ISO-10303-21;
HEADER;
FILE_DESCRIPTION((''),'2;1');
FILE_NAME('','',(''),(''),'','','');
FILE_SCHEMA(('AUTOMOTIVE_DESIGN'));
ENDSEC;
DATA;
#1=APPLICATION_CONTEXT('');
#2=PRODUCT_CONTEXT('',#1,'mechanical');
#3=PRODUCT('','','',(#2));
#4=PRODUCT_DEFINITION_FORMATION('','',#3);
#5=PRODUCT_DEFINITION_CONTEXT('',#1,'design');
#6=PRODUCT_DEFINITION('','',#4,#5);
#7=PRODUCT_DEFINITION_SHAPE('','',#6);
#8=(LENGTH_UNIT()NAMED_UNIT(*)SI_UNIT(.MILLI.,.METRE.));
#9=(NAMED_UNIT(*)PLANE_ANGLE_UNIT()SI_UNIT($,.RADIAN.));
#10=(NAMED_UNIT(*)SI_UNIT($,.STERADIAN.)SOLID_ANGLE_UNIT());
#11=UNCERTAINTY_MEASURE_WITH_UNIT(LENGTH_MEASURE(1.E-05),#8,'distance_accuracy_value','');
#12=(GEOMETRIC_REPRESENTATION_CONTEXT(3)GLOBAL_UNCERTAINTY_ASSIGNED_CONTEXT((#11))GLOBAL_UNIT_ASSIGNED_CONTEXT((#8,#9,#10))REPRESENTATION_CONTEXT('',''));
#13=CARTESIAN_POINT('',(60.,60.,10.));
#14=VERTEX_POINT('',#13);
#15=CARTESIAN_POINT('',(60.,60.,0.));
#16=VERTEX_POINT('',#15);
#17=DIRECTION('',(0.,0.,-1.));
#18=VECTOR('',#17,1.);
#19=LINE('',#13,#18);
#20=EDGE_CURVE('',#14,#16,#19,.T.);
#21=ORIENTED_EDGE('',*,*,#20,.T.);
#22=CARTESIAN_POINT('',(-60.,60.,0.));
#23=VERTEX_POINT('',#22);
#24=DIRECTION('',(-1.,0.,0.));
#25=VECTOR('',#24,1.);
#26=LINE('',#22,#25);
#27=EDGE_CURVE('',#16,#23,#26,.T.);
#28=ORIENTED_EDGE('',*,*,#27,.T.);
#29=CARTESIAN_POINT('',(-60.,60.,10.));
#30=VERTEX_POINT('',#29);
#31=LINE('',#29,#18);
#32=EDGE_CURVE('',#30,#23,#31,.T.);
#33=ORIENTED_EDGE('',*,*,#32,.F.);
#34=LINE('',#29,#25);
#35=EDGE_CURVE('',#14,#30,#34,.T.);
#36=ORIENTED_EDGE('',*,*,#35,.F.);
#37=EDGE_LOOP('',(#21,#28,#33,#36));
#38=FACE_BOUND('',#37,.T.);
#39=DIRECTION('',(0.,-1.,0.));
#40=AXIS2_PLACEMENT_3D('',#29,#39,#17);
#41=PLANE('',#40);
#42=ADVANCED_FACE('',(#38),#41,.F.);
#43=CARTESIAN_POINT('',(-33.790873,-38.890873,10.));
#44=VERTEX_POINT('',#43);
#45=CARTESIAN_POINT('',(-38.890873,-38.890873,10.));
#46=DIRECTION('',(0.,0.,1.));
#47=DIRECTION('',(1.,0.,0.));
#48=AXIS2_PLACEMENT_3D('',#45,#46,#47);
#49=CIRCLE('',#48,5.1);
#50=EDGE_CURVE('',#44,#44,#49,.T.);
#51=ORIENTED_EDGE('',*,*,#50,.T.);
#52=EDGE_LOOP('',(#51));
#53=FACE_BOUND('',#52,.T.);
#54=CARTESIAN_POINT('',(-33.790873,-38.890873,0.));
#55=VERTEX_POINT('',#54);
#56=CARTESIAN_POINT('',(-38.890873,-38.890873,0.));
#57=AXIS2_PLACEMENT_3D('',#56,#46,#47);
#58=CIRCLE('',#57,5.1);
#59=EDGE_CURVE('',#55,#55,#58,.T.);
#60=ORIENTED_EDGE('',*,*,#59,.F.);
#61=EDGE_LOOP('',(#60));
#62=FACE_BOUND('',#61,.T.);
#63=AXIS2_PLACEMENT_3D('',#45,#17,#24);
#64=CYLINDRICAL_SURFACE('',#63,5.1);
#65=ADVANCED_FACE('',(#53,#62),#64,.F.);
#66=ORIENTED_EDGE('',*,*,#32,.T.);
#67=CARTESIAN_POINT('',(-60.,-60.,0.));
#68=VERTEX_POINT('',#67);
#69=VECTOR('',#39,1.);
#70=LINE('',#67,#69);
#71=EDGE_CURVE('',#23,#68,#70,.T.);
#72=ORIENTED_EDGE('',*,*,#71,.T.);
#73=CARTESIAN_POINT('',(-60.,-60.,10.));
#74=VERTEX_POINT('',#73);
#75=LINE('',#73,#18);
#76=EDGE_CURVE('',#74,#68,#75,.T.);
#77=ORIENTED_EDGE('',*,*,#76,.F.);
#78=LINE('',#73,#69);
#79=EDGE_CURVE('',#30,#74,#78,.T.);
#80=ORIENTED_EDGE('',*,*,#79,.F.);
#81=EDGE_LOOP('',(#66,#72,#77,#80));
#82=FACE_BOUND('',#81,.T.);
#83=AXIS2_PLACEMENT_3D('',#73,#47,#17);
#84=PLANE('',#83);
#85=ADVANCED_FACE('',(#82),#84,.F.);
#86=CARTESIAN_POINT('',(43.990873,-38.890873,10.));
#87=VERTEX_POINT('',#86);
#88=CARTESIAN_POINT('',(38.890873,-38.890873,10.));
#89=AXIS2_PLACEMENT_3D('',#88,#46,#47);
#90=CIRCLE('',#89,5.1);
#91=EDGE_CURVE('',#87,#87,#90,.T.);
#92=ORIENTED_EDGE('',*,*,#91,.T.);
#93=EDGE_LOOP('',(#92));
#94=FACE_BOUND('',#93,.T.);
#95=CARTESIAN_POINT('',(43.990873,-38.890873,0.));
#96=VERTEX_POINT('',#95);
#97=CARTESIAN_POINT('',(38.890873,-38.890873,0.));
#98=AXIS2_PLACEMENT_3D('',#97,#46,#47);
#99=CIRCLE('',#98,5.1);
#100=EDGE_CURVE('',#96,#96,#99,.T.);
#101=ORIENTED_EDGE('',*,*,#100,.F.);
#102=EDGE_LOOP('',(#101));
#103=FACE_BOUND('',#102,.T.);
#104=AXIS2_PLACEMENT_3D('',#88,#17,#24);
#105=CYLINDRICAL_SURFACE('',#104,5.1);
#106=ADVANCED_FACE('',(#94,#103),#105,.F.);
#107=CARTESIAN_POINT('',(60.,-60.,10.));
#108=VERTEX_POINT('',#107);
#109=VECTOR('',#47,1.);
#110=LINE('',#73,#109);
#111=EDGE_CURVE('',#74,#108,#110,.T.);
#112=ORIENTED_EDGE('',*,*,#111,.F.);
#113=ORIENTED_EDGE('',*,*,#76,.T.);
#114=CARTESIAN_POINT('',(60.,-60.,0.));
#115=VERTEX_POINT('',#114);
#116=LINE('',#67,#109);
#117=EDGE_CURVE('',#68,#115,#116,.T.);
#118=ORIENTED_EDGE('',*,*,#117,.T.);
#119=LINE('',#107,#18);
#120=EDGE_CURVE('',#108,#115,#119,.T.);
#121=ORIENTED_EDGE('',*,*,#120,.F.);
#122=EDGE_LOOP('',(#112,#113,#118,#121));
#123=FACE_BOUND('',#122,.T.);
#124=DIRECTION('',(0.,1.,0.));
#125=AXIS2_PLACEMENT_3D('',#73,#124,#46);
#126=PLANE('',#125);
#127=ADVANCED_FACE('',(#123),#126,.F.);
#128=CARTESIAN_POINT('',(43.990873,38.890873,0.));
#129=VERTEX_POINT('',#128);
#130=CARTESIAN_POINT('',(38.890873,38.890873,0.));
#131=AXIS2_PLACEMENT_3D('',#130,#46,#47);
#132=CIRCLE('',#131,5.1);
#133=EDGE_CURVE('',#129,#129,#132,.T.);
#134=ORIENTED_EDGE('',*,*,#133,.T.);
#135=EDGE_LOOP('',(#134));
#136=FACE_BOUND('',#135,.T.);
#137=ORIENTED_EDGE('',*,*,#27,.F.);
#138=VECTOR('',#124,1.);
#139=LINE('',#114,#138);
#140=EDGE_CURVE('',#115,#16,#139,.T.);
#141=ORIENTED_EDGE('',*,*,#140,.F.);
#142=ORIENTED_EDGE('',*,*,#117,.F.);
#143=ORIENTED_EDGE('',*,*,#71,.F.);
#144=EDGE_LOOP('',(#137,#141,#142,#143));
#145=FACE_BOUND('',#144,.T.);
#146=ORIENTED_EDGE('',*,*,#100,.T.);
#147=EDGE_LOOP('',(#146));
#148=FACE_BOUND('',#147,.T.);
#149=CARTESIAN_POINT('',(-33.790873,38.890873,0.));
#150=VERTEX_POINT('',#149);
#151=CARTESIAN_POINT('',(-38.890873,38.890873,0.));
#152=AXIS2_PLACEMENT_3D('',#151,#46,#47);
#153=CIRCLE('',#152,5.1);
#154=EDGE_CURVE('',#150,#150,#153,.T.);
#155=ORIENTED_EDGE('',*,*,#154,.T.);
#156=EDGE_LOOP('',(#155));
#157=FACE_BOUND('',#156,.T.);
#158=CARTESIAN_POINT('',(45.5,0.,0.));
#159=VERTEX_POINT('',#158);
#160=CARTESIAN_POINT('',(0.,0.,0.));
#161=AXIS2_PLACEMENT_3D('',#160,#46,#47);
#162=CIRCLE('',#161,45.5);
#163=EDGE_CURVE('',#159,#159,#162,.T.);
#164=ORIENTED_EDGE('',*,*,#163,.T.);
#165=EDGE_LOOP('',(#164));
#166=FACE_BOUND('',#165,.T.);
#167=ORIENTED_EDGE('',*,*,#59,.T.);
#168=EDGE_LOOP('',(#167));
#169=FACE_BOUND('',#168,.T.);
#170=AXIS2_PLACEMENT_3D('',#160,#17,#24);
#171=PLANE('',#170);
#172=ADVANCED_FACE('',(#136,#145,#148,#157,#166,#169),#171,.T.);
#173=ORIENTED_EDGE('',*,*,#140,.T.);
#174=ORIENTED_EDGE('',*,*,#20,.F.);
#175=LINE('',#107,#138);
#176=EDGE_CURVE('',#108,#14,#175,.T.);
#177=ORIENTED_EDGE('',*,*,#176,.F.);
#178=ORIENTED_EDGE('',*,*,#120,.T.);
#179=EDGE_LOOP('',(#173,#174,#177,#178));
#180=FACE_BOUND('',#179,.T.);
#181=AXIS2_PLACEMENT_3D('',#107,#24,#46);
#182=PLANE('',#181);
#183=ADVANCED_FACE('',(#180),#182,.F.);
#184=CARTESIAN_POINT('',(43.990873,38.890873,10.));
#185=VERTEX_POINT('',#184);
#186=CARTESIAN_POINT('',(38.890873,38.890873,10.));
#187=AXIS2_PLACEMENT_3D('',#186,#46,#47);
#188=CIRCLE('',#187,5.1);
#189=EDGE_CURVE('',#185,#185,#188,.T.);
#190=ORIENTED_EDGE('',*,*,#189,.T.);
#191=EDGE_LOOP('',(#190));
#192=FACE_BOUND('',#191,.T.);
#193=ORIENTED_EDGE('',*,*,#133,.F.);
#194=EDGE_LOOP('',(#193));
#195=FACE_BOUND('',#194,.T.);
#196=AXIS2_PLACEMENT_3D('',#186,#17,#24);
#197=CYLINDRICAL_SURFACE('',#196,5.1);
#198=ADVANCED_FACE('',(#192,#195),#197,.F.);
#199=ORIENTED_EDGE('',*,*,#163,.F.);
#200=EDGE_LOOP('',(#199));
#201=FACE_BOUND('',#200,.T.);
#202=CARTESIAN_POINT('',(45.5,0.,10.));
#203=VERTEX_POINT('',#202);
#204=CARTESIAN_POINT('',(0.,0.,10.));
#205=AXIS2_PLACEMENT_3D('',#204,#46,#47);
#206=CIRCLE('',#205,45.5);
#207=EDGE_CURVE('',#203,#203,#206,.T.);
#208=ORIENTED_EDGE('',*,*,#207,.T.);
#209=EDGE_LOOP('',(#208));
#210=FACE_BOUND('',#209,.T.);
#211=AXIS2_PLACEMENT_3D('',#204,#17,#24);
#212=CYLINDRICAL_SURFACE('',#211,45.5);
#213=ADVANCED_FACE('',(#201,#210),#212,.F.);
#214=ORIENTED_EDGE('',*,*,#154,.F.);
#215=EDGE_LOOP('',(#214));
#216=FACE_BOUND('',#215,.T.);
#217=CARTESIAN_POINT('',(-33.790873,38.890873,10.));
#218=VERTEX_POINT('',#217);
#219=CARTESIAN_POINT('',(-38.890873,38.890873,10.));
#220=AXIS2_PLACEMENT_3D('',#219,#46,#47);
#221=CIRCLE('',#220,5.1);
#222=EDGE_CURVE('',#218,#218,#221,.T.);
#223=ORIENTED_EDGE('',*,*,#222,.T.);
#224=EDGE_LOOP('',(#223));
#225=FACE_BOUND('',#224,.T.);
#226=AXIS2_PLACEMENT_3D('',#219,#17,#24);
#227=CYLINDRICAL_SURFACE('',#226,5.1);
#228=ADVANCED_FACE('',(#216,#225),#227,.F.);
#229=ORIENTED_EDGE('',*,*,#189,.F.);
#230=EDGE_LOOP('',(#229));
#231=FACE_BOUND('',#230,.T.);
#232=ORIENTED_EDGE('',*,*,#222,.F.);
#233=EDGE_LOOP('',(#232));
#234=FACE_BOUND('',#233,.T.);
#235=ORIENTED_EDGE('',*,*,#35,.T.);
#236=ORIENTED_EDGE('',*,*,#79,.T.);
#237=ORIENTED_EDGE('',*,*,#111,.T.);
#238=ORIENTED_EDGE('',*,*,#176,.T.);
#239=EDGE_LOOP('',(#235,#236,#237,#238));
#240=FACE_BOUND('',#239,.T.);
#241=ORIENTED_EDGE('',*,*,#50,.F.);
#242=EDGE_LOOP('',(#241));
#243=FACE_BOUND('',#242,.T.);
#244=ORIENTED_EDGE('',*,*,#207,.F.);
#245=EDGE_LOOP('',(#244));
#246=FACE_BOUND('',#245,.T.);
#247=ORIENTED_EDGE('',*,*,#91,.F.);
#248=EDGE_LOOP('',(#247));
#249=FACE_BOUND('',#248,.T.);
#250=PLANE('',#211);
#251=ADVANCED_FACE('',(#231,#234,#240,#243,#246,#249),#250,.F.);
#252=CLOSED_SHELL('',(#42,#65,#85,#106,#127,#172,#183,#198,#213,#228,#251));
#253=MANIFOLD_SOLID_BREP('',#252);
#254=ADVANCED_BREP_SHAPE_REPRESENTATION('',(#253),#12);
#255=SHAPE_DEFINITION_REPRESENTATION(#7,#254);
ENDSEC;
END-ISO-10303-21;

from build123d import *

# Parameters (mm, degrees)
IZIM1_W                     = 120
IZIM1_H                     = 120
IZIM1_R                     = 45.5
IZIM1_R_2                   = 5.1
Y_KSEKLIK_EKSTR_ZYON1_DEPTH = 10


with BuildPart() as part:
    # Çizim1 → Yükseklik-Ekstrüzyon1 (new body)
    with BuildSketch(Plane.XY):
        Rectangle(IZIM1_W, IZIM1_H)
        Circle(IZIM1_R, mode=Mode.SUBTRACT)
        with Locations((-38.890872965, 38.890872965)):
            Circle(IZIM1_R_2, mode=Mode.SUBTRACT)
        with Locations((38.890872965, 38.890872965)):
            Circle(IZIM1_R_2, mode=Mode.SUBTRACT)
        with Locations((38.890872965, -38.890872965)):
            Circle(IZIM1_R_2, mode=Mode.SUBTRACT)
        with Locations((-38.890872965, -38.890872965)):
            Circle(IZIM1_R_2, mode=Mode.SUBTRACT)
    extrude(amount=Y_KSEKLIK_EKSTR_ZYON1_DEPTH)


solid = part.part
